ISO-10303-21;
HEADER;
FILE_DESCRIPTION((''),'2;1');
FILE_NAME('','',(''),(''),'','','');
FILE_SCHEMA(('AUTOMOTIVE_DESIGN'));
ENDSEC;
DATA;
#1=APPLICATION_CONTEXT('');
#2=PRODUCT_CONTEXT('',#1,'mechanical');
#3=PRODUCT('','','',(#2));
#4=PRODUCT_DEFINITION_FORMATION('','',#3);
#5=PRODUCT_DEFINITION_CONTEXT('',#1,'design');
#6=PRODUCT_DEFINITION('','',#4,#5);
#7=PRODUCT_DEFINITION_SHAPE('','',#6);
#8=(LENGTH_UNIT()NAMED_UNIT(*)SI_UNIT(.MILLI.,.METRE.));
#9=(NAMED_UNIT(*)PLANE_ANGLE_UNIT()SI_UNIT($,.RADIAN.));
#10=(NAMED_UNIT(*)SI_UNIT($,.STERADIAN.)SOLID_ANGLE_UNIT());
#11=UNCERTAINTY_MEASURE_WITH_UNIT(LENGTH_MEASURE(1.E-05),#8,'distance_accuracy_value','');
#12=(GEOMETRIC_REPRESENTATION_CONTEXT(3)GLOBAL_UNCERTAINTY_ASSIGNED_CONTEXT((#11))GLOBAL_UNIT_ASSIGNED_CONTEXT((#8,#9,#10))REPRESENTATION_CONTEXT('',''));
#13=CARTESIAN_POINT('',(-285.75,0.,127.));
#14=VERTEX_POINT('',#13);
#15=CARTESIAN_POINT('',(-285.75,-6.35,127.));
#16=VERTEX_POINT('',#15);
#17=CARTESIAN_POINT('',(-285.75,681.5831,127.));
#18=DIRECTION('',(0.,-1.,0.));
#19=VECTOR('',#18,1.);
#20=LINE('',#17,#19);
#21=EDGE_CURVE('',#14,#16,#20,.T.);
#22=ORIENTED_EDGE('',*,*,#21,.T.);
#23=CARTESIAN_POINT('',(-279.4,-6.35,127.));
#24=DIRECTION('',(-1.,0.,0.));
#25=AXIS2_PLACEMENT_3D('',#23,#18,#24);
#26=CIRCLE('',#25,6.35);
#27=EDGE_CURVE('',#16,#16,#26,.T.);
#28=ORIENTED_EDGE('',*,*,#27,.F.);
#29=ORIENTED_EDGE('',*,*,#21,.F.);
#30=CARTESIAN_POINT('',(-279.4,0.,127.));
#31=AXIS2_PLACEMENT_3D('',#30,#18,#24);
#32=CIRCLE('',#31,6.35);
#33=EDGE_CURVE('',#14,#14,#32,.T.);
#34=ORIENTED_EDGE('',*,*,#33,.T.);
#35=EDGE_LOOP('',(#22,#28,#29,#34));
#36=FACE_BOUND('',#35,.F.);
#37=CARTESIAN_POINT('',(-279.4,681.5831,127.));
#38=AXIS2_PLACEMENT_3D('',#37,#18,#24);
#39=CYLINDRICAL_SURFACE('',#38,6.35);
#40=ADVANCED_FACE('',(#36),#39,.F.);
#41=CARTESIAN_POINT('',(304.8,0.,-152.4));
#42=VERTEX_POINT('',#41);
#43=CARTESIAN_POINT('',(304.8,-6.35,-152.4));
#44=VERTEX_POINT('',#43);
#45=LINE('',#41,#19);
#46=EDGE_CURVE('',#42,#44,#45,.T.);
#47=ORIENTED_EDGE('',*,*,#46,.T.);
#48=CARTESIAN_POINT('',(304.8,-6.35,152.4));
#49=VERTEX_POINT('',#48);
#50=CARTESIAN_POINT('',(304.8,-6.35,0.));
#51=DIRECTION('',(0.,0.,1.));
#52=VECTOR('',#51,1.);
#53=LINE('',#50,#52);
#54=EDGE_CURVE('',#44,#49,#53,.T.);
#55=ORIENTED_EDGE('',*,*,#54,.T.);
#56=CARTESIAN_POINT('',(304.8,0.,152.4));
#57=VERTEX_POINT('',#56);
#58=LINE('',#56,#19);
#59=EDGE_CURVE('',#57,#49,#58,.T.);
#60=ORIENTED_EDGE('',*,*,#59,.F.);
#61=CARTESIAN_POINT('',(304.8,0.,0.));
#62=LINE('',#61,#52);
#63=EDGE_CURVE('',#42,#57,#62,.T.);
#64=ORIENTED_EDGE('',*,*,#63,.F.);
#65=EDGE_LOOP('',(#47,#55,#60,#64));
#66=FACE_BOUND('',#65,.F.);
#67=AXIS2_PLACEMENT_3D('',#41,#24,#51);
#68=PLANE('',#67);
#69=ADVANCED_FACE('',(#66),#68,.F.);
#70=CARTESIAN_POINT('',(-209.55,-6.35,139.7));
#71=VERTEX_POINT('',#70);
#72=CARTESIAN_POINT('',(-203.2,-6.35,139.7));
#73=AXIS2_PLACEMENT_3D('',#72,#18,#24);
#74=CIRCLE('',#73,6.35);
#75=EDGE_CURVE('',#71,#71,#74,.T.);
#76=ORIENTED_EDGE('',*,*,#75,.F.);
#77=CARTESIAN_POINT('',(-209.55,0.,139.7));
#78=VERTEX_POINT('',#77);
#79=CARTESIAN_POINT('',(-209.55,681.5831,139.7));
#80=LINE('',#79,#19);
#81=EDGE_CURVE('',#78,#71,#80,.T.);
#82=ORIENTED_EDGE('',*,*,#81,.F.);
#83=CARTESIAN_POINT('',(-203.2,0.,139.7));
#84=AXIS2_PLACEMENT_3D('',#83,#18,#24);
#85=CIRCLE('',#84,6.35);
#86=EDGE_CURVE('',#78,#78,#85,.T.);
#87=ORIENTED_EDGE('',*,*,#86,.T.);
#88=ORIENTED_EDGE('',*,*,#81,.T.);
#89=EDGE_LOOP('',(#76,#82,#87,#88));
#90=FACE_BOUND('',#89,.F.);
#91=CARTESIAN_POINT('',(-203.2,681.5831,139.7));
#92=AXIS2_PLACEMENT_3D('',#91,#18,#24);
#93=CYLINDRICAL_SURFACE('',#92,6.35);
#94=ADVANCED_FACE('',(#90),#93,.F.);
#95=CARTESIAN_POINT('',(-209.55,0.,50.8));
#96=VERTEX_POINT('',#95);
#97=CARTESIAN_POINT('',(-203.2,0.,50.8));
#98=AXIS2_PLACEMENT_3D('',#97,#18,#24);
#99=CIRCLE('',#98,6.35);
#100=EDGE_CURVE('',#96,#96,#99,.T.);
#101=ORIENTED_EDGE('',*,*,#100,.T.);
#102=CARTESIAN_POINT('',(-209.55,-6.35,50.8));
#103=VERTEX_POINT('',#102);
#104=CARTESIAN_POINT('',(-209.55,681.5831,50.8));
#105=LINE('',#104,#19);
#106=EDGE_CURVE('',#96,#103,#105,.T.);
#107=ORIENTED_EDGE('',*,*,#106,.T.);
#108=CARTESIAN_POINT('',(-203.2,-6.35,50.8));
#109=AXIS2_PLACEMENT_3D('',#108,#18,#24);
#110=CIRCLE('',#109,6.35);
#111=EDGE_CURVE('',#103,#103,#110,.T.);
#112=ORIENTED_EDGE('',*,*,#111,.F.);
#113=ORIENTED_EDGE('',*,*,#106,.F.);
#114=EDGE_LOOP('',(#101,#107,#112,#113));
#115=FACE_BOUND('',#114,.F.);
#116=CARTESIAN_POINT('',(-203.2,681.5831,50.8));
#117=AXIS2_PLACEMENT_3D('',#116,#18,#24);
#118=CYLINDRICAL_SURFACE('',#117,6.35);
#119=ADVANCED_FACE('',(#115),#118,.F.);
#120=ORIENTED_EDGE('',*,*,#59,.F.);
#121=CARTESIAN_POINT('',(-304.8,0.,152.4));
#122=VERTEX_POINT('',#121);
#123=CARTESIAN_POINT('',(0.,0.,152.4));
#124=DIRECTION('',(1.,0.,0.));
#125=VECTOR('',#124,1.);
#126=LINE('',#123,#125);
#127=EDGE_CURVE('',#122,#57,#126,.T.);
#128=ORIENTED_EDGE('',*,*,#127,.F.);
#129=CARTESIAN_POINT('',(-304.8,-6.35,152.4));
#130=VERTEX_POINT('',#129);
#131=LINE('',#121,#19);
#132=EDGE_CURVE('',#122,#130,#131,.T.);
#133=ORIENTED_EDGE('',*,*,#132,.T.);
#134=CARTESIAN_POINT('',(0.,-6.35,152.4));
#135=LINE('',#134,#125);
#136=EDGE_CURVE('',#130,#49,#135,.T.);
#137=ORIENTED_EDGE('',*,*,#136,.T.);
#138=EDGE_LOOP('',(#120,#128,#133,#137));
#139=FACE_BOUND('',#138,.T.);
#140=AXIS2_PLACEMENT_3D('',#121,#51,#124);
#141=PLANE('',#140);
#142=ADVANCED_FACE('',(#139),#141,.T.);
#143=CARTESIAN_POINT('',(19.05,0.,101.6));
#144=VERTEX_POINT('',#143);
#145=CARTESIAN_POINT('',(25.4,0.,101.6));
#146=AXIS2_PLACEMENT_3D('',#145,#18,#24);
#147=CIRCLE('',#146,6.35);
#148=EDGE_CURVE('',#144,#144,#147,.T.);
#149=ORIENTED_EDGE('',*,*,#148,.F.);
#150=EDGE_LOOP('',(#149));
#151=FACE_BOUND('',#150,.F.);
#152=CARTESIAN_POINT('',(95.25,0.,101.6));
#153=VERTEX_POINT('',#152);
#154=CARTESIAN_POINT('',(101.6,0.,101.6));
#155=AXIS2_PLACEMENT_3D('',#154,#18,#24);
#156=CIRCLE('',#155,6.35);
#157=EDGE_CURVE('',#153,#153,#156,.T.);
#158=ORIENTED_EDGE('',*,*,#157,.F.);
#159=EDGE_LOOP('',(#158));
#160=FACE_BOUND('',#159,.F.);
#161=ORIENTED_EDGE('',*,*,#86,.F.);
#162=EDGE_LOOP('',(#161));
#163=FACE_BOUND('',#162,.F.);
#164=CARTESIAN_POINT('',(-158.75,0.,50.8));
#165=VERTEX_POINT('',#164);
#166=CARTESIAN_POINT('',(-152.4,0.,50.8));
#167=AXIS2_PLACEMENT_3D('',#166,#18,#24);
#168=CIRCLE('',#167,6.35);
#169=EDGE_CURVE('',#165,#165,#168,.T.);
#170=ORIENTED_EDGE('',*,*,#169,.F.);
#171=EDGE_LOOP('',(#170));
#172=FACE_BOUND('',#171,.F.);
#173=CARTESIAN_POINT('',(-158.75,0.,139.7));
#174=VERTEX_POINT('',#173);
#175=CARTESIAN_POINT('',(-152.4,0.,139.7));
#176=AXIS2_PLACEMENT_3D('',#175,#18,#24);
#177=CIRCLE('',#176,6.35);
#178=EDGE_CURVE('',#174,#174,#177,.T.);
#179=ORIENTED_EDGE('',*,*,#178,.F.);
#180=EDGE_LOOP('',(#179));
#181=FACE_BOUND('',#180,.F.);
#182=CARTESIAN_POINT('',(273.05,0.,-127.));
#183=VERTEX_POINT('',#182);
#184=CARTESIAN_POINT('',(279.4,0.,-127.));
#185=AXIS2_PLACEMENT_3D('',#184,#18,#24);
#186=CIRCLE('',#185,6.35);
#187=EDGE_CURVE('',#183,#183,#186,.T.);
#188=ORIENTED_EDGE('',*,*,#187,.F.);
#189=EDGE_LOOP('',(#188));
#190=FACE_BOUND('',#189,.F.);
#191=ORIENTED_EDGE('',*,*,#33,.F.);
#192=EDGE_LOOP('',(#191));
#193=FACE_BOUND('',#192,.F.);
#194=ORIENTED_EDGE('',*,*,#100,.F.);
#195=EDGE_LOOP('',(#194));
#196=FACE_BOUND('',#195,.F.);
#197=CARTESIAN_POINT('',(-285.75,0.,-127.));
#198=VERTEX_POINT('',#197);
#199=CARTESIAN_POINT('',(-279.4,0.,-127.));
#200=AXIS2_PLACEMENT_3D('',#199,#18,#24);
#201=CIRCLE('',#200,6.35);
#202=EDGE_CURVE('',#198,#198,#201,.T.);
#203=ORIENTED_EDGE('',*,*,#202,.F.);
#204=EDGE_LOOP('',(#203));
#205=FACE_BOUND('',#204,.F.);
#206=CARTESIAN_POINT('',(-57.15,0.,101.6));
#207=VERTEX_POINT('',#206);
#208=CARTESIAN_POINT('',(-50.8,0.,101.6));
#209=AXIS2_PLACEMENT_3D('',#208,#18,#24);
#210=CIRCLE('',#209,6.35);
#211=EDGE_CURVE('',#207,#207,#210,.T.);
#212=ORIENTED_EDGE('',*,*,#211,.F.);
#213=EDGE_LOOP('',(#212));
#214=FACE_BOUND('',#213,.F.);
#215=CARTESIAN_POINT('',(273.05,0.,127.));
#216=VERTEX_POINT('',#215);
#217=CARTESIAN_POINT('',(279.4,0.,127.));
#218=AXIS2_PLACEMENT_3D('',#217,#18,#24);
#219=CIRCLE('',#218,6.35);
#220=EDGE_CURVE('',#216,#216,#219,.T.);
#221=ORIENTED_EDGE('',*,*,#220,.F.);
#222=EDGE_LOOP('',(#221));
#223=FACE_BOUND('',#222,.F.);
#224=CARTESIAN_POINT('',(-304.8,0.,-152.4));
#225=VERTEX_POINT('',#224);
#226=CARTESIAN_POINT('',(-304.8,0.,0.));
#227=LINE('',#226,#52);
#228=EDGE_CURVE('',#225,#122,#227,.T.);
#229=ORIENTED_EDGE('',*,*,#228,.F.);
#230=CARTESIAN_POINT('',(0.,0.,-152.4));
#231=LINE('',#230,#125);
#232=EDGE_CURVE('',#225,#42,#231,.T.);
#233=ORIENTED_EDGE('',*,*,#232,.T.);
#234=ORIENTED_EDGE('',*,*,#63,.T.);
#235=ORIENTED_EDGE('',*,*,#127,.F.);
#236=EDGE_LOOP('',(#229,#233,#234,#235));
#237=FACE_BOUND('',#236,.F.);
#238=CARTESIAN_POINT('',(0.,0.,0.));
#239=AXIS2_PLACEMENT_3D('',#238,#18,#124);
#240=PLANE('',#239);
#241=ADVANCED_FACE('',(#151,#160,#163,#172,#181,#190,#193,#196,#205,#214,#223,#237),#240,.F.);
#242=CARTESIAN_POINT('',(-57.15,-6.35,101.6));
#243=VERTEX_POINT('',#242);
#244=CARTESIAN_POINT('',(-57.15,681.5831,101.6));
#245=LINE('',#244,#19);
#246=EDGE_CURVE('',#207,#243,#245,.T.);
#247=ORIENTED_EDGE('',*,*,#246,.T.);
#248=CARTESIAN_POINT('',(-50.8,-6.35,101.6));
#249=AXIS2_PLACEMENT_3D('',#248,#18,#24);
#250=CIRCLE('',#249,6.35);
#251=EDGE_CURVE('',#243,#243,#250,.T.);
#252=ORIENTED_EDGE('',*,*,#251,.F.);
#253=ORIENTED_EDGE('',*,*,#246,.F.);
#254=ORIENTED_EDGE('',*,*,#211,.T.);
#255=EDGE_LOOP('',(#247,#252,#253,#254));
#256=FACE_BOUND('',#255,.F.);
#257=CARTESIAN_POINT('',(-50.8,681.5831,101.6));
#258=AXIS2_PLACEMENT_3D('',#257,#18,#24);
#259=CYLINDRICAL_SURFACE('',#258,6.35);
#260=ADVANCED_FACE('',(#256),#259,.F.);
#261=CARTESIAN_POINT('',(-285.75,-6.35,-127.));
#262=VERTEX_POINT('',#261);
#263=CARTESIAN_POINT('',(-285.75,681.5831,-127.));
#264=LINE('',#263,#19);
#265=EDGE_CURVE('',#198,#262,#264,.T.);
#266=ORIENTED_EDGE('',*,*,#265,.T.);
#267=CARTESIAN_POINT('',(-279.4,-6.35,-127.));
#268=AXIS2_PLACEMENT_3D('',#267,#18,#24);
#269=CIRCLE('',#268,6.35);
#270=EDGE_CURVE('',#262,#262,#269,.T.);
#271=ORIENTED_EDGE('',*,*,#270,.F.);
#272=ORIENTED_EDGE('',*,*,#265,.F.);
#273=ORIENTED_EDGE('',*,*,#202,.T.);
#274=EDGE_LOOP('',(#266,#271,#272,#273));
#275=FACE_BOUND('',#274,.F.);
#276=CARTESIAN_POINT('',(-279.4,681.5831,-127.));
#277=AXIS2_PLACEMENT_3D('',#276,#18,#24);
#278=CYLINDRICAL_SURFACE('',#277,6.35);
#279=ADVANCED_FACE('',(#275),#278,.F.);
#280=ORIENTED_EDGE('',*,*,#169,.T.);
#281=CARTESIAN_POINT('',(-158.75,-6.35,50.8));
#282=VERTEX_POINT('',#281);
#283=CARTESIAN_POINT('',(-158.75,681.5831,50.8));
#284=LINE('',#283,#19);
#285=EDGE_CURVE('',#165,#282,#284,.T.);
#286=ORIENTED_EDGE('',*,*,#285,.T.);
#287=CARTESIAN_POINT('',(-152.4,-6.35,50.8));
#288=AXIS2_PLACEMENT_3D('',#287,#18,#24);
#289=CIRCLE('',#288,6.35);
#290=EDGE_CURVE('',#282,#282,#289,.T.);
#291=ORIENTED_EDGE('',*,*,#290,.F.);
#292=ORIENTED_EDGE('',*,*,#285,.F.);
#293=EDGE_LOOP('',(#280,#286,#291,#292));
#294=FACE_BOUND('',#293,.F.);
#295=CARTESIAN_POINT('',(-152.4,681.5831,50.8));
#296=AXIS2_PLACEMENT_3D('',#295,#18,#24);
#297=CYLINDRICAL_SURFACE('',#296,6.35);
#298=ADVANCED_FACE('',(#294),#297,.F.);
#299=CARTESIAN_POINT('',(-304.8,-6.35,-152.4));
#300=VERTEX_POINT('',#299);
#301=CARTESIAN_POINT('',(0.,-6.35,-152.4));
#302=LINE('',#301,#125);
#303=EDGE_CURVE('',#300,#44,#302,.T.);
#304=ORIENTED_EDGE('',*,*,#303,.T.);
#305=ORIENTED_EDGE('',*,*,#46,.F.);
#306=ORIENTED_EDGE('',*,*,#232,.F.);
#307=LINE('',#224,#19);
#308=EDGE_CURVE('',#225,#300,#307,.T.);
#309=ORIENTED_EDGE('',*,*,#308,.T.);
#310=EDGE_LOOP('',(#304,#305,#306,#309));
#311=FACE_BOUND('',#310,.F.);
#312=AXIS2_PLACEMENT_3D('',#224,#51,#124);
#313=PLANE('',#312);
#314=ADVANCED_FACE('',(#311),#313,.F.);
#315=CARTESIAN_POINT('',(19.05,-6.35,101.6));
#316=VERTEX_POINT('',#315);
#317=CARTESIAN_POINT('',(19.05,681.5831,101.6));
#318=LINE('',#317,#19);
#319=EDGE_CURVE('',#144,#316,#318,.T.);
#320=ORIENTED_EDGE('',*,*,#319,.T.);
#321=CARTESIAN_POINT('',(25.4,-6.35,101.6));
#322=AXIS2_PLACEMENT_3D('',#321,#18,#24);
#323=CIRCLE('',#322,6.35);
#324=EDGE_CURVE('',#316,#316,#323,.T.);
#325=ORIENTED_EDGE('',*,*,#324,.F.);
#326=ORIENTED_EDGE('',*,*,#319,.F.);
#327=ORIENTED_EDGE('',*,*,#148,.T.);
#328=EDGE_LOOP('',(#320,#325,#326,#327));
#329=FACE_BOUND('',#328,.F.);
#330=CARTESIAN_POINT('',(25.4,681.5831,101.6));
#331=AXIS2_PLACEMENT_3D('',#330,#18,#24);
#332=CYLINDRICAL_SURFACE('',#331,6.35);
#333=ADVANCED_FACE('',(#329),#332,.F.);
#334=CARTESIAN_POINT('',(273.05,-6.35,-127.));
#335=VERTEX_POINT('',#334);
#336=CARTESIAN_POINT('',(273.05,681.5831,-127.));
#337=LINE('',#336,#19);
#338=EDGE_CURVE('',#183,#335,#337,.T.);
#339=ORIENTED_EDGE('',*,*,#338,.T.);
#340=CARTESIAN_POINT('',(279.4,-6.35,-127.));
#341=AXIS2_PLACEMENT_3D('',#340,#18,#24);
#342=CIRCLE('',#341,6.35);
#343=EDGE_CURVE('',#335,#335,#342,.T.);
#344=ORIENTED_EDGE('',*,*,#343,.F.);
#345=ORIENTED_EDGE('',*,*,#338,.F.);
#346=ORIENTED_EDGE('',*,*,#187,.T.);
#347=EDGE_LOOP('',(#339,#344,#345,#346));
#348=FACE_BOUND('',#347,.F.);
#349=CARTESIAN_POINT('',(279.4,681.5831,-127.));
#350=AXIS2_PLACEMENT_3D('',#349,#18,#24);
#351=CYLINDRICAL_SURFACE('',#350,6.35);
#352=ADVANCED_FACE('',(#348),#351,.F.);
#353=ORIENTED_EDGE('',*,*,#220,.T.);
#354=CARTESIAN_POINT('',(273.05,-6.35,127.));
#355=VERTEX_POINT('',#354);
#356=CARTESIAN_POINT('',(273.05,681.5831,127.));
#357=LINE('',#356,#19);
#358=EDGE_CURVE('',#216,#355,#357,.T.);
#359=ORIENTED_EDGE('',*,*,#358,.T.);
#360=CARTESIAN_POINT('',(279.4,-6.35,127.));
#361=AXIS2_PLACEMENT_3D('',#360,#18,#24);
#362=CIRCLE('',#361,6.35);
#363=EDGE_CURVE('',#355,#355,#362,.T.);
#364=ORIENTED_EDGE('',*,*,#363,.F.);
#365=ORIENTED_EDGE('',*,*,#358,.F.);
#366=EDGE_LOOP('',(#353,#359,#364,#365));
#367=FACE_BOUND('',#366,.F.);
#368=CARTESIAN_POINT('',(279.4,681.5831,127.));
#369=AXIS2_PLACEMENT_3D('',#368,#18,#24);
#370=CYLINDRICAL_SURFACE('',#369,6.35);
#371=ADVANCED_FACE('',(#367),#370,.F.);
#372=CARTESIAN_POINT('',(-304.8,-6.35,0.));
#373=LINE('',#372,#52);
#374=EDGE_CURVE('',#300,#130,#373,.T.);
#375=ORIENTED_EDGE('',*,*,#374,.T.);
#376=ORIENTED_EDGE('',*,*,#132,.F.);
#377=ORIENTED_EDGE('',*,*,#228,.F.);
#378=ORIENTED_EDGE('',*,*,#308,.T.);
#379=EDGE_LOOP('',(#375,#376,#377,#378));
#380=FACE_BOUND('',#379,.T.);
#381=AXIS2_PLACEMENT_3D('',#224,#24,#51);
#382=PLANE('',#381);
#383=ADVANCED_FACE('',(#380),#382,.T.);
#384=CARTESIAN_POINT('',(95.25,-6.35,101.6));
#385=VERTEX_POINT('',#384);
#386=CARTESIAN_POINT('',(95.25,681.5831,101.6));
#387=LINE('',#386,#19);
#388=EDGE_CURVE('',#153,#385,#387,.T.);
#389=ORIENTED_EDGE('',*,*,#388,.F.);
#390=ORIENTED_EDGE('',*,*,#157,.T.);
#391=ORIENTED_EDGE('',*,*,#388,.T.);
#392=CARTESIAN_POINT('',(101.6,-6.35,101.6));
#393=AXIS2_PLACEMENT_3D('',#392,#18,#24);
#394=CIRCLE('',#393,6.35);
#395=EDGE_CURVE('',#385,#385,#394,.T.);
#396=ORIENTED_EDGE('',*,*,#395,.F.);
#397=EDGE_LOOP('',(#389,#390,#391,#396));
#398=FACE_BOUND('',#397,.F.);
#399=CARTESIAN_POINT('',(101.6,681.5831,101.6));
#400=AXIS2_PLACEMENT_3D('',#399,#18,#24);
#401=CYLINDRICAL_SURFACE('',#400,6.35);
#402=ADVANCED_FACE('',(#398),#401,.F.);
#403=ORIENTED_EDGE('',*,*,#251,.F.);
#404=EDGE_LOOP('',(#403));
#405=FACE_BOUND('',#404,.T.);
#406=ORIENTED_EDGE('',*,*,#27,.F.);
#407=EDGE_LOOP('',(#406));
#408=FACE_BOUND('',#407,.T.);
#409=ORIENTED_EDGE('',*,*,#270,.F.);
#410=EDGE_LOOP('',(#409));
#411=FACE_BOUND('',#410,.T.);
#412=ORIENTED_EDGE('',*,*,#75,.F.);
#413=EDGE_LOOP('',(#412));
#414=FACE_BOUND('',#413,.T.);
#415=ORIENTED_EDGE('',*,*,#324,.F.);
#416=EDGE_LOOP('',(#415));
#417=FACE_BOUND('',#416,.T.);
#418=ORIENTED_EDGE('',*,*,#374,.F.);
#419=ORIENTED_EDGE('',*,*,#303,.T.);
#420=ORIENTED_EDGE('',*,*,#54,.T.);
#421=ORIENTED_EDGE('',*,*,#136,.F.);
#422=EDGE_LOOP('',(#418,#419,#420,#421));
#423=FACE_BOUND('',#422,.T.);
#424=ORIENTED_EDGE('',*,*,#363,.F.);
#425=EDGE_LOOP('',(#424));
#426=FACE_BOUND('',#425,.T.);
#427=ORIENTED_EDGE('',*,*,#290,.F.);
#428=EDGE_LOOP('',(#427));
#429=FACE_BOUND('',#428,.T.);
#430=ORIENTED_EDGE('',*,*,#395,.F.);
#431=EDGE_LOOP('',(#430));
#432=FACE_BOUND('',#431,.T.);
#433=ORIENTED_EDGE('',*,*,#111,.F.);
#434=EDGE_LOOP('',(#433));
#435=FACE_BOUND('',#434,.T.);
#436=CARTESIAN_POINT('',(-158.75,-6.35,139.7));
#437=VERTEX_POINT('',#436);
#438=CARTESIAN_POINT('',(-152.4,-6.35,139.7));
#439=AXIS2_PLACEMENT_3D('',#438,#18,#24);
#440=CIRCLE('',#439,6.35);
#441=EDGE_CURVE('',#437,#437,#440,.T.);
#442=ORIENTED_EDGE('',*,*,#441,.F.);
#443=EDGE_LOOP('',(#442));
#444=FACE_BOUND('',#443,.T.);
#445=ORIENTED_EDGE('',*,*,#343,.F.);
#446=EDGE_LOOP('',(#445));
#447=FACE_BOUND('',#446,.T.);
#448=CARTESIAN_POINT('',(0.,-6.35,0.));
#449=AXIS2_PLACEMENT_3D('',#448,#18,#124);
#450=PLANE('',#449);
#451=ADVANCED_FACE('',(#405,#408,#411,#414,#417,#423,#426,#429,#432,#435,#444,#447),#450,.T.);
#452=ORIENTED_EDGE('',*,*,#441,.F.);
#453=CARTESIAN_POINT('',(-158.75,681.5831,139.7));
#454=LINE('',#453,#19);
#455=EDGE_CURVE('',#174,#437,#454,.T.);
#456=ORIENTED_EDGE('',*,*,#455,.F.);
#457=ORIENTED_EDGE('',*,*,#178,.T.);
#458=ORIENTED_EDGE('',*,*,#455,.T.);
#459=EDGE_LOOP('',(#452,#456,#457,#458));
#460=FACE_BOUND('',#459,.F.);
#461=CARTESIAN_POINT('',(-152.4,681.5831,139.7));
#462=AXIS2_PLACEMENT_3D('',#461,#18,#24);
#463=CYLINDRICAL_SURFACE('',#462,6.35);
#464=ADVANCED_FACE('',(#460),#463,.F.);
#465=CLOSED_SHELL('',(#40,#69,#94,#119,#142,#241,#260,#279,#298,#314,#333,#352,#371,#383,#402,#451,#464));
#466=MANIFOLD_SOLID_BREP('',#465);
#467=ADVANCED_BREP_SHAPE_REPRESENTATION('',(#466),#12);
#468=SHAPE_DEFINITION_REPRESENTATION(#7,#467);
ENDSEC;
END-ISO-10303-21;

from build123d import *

# Parameters (mm, degrees)
F0_W     = 609.6
F0_H     = 304.8
F2_DEPTH = 6.35
F1_D     = 12.7


with BuildPart() as f2:
    # F0 (on Front) → F2 (new body)
    with BuildSketch(Plane.XZ):
        Rectangle(F0_W, F0_H)
    extrude(amount=F2_DEPTH)

    # F1 (through all)
    with Locations(Plane(origin=(0, 0, 0), x_dir=(1, 0, 0), z_dir=(0, 1, 0))):
        with Locations((101.6, -101.6), (25.4, -101.6), (-50.8, -101.6), (-279.4, 127), (-279.4, -127), (279.4, 127), (279.4, -127), (-203.2, -50.8), (-152.4, -50.8), (-152.4, -139.7), (-203.2, -139.7)):
            Hole(F1_D / 2)


solid = f2.part
